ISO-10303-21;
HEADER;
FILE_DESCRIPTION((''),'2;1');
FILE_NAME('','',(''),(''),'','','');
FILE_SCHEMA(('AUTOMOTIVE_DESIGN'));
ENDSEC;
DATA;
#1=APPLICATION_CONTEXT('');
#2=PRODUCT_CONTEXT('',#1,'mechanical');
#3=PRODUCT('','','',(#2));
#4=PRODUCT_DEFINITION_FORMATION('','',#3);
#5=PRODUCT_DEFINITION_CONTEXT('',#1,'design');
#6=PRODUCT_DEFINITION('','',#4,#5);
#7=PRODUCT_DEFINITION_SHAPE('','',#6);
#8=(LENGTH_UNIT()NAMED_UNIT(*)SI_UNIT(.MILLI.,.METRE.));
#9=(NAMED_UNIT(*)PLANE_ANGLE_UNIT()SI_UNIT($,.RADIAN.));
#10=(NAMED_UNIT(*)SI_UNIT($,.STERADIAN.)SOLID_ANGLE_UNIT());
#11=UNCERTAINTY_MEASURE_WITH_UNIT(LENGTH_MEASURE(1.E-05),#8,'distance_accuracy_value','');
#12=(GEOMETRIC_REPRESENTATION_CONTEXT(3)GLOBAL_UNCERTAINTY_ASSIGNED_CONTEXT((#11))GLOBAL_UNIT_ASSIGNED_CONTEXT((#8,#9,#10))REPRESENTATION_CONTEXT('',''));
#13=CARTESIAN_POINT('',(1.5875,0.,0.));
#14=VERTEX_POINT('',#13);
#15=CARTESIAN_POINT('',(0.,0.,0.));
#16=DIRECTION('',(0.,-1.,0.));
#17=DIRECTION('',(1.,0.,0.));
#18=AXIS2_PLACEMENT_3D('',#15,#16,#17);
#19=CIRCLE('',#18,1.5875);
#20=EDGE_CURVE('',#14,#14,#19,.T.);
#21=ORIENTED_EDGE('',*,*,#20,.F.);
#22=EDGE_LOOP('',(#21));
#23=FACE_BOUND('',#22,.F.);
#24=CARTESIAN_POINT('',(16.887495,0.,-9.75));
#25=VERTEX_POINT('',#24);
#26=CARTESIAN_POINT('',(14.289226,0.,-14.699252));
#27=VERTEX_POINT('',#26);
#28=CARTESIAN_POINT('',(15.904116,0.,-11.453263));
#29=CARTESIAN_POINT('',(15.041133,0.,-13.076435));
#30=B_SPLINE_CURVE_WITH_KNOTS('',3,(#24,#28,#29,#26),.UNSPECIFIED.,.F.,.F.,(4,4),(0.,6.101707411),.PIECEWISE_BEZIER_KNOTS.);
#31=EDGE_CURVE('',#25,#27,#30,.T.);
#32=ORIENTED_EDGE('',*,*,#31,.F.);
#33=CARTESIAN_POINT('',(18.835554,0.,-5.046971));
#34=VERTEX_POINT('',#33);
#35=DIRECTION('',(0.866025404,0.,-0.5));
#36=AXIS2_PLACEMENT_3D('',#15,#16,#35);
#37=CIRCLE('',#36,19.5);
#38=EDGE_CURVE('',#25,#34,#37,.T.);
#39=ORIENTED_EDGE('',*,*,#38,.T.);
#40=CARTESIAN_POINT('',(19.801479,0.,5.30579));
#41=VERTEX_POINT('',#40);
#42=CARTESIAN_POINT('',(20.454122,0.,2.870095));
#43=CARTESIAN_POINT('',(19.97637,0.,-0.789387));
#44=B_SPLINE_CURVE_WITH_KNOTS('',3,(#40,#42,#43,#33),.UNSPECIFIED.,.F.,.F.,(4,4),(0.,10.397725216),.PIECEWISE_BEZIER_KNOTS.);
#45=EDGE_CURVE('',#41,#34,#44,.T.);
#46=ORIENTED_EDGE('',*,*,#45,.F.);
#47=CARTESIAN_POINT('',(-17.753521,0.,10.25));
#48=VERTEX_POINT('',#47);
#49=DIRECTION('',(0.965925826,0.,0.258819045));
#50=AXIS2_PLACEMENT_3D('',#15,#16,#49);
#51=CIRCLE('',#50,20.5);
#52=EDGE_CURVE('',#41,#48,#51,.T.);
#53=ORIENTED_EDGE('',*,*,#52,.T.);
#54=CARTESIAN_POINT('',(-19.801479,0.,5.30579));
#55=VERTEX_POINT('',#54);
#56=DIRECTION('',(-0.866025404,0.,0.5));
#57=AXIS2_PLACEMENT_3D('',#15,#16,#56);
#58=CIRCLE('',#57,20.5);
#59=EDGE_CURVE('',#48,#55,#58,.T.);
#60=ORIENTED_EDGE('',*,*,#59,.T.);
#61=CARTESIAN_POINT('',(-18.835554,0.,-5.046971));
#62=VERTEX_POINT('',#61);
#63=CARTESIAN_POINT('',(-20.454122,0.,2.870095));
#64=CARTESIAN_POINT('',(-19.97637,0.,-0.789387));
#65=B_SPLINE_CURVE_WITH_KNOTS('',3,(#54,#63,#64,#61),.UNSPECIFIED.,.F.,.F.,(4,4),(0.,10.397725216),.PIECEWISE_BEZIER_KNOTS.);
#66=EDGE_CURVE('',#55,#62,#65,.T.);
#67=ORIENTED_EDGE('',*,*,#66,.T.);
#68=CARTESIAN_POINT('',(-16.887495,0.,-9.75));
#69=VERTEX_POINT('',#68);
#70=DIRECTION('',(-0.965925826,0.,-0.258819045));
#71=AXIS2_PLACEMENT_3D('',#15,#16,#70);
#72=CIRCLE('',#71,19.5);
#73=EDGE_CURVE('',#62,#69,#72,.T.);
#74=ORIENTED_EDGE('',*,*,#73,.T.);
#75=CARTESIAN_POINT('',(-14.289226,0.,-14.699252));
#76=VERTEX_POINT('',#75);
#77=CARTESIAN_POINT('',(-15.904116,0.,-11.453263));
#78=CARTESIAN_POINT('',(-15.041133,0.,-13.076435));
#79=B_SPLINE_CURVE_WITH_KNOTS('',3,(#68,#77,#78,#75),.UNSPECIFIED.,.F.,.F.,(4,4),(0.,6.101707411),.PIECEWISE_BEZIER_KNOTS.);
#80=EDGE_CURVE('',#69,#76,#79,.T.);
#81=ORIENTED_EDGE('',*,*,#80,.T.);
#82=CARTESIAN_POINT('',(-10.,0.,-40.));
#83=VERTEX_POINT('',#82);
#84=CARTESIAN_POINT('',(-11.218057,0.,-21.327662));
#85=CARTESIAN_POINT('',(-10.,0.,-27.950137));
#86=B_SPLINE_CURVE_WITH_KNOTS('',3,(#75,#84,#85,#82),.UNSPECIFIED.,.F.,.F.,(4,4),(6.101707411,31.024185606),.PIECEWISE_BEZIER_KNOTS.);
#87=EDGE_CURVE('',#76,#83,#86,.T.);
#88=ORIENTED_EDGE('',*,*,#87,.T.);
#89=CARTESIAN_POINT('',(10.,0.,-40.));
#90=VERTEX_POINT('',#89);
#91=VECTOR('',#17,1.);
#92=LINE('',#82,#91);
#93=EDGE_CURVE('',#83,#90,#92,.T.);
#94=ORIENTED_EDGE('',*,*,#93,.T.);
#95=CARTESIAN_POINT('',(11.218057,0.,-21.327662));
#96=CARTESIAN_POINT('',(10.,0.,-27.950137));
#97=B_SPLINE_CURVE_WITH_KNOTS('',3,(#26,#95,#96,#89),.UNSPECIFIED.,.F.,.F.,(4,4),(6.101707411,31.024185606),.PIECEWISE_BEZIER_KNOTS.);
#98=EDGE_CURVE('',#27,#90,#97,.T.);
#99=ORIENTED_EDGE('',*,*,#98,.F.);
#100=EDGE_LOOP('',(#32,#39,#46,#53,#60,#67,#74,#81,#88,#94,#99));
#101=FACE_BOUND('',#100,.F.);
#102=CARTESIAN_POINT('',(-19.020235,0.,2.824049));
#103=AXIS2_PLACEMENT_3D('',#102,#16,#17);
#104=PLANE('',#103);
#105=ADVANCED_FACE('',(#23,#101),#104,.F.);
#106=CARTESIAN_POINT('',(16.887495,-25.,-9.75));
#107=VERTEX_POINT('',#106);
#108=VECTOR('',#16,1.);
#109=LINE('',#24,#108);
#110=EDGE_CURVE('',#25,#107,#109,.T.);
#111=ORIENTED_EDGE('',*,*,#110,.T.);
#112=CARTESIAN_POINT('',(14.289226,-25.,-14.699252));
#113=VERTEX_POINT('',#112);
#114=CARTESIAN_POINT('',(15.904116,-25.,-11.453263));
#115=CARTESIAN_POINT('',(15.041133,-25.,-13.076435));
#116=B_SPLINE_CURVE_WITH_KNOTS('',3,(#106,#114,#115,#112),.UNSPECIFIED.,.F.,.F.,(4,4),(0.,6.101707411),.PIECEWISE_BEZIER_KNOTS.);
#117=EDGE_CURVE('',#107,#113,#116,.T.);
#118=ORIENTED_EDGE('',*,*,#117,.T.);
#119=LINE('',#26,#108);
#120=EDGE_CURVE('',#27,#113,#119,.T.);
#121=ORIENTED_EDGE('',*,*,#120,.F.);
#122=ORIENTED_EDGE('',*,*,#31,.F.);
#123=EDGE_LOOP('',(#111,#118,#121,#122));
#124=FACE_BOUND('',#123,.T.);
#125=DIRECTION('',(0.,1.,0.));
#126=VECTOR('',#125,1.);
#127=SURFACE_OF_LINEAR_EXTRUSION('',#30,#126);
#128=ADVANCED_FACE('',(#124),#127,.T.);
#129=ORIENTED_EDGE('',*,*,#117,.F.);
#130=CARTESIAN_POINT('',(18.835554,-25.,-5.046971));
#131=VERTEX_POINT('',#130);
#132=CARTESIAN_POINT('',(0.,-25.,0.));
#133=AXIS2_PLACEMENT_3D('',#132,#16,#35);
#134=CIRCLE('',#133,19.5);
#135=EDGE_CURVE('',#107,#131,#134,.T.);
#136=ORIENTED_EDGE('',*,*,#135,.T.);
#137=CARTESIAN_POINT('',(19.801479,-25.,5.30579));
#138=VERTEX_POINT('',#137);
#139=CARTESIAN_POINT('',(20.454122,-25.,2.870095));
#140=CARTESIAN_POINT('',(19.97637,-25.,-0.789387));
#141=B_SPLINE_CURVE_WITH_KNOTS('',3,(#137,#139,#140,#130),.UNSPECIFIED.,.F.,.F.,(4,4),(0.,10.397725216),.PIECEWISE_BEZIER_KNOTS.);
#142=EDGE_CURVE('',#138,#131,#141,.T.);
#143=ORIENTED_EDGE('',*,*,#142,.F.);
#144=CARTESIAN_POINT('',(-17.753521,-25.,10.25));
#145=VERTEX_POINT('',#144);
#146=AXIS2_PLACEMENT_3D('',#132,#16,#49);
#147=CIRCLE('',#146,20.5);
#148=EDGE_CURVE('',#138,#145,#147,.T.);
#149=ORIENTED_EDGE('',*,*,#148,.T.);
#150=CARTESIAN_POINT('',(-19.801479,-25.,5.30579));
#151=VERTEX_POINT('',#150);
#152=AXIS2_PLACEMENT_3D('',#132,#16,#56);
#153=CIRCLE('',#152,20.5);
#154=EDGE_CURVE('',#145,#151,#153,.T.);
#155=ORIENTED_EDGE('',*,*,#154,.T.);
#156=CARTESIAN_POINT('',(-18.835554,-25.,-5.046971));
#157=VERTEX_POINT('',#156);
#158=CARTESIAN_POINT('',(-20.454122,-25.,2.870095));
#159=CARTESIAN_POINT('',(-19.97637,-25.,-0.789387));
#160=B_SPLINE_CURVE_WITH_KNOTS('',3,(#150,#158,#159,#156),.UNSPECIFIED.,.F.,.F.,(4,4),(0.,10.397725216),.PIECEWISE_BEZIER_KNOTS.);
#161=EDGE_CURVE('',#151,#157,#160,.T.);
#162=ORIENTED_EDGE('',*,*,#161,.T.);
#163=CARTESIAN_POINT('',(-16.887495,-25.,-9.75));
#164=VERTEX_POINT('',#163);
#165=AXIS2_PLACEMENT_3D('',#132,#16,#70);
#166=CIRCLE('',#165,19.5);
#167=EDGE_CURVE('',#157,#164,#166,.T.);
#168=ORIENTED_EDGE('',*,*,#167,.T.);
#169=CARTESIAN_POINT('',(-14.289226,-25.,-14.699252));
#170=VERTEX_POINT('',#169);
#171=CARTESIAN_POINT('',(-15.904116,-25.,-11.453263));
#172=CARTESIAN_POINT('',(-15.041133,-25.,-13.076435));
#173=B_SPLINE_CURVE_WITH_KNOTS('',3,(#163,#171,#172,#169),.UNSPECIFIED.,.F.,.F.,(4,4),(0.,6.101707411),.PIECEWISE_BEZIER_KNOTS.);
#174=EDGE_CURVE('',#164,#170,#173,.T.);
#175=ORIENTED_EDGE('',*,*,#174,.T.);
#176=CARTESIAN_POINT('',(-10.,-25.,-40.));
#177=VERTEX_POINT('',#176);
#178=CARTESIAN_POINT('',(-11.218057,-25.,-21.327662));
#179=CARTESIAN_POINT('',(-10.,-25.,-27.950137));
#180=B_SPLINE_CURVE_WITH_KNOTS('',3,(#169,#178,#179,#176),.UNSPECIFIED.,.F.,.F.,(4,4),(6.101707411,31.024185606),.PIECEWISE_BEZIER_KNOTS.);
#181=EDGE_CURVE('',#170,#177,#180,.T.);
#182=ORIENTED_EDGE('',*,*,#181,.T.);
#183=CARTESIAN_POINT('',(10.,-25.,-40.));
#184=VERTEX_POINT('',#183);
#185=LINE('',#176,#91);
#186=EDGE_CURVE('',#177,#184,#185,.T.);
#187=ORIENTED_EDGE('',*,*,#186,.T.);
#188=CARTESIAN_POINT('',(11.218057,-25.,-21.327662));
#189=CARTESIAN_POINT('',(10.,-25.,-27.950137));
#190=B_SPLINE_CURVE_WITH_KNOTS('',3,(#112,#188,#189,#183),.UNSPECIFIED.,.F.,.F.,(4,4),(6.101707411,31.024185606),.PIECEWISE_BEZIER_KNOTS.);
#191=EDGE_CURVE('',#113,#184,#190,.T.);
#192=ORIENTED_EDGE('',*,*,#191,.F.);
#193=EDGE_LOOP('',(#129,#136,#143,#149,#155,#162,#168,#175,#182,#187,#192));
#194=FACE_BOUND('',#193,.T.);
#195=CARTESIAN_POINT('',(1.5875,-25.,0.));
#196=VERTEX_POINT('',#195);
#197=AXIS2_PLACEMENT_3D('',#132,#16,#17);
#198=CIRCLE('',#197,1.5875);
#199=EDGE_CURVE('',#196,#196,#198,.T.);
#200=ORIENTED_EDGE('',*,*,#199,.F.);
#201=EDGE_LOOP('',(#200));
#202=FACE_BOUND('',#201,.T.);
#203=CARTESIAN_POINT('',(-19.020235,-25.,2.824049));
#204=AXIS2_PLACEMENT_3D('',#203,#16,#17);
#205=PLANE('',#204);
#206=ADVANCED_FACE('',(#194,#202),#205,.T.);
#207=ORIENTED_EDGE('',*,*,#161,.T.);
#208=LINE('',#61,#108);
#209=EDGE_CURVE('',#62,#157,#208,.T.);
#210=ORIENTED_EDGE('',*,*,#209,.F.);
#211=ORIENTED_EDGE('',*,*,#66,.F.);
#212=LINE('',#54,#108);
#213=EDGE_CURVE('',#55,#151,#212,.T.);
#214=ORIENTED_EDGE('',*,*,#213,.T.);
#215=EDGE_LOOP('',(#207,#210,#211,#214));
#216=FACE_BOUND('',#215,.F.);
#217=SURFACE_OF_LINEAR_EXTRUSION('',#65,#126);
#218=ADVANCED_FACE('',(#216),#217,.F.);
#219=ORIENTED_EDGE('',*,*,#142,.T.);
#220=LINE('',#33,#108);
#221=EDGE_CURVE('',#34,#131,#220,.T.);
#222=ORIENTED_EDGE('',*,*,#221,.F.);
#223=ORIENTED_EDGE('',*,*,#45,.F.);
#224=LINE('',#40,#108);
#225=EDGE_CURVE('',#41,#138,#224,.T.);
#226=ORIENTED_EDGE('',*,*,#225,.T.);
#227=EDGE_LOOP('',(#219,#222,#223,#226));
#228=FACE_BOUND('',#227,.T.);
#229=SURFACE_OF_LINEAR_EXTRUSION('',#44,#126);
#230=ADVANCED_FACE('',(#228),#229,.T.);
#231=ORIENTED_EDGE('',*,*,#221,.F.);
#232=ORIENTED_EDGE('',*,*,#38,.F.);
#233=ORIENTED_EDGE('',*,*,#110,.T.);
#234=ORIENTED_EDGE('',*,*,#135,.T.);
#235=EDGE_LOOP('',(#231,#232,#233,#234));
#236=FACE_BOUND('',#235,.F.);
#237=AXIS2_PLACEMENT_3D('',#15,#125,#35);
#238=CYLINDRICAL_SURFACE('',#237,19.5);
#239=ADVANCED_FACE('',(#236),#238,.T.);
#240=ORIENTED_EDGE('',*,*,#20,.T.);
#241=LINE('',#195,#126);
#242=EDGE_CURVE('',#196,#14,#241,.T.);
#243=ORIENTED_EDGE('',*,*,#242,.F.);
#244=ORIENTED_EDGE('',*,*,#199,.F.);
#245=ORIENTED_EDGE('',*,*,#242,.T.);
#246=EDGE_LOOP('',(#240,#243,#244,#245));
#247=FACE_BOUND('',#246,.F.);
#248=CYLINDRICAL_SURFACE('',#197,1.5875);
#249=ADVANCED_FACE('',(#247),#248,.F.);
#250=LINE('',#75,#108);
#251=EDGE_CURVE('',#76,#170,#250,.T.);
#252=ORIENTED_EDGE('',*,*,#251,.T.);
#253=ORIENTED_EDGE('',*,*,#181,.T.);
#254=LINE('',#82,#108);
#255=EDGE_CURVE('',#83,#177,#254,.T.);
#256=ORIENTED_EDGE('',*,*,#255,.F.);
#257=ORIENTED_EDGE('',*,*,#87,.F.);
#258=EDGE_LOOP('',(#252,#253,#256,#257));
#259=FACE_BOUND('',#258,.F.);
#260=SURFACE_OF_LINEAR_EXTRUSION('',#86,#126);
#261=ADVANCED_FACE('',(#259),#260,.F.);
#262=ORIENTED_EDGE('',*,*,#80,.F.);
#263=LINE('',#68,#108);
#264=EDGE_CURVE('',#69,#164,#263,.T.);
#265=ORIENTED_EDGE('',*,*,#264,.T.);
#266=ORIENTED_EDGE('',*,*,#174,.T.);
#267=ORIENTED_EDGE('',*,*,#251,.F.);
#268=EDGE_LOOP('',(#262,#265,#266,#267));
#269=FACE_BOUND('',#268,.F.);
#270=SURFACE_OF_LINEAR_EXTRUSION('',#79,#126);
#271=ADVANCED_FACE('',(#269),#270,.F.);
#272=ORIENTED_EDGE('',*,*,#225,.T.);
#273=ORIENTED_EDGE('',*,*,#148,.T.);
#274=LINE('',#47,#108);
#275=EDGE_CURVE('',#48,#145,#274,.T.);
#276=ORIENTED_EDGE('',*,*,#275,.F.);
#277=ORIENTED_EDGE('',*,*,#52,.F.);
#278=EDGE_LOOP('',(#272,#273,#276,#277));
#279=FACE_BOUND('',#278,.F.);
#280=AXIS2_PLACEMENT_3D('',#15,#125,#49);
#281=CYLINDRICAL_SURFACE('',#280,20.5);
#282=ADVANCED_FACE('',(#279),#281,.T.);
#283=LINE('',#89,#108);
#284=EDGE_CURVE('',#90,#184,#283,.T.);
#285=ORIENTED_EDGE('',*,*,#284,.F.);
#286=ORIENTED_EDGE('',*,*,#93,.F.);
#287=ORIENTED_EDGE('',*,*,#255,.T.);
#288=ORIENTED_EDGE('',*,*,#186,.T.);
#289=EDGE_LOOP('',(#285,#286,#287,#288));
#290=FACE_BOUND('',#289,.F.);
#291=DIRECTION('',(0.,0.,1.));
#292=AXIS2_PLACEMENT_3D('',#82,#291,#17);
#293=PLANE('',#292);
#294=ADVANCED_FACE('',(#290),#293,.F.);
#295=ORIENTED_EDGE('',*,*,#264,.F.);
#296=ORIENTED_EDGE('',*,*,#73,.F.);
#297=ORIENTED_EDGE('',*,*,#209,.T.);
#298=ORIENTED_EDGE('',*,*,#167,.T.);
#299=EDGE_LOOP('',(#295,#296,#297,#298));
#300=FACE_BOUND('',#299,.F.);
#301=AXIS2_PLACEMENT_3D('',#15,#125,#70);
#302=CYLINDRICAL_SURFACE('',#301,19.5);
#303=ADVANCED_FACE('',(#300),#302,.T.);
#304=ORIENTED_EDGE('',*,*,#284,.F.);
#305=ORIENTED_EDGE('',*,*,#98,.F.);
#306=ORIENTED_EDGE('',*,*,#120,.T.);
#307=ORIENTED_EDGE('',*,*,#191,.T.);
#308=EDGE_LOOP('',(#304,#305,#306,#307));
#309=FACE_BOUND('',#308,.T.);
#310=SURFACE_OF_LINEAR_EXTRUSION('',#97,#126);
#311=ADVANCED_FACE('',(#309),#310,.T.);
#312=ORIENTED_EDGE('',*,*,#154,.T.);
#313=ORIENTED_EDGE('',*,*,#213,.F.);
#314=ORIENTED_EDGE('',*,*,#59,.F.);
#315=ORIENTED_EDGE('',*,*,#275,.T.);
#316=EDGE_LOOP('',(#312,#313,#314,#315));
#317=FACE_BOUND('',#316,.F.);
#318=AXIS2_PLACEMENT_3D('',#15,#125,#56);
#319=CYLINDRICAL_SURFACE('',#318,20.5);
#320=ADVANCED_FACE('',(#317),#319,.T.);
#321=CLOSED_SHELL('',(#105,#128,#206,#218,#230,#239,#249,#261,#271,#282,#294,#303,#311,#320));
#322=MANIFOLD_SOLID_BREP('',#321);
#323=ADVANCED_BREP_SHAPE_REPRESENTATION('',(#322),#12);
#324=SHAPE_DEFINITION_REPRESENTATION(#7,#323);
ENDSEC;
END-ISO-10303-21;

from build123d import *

# Parameters (mm, degrees)
F1_DEPTH = 25
F2_R     = 1.5875
F3_DEPTH = 25


with BuildPart() as f1:
    # F0 (on Front) → F1 (new body)
    with BuildSketch(Plane.XZ):
        with BuildLine():
            ThreePointArc((-17.7535207776, 10.25), (-18.9395304165, 7.8450103635), (-19.8014794389, 5.3057904246))
            add(Edge.make_bspline(
                [(-19.8014794389, 5.3057904246), (-20.454122155, 2.8700946489), (-19.9763700286, -0.7893865531), (-18.8355536126, -5.0469713795)],
                knots=[0, 0, 0, 0, 10.3977252163, 10.3977252163, 10.3977252163, 10.3977252163], degree=3))
            ThreePointArc((-18.8355536126, -5.0469713795), (-19.3331747968, 2.5452607483), (-16.8874953738, 9.75))
            Line((-16.8874953738, 9.75), (-17.7535207776, 10.25))
        make_face()
        with BuildLine():
            add(Edge.make_bspline(
                [(19.8014794389, 5.3057904246), (20.454122155, 2.8700946489), (19.9763700286, -0.7893865531), (18.8355536126, -5.0469713795)],
                knots=[0, 0, 0, 0, 10.3977252163, 10.3977252163, 10.3977252163, 10.3977252163], degree=3))
            ThreePointArc((19.8014794389, 5.3057904246), (2.6757869405, 20.3246196582), (-17.7535207776, 10.25))
            Line((-17.7535207776, 10.25), (-16.8874953738, 9.75))
            ThreePointArc((-16.8874953738, 9.75), (5.0469713795, 18.8355536126), (19.5, 0))
            ThreePointArc((19.5, 0), (19.3331747968, -2.5452607483), (18.8355536126, -5.0469713795))
        make_face()
        with BuildLine():
            ThreePointArc((-16.8874953738, -9.75), (0, -19.5), (16.8874953738, -9.75))
            ThreePointArc((16.8874953738, -9.75), (18.015650884, -7.4623269311), (18.8355536126, -5.0469713795))
            ThreePointArc((18.8355536126, -5.0469713795), (19.3331747968, -2.5452607483), (19.5, 0))
            ThreePointArc((19.5, 0), (5.0469713795, 18.8355536126), (-16.8874953738, 9.75))
            ThreePointArc((-16.8874953738, 9.75), (-19.3331747968, 2.5452607483), (-18.8355536126, -5.0469713795))
            ThreePointArc((-18.8355536126, -5.0469713795), (-18.015650884, -7.4623269311), (-16.8874953738, -9.75))
        make_face()
        with BuildLine():
            add(Edge.make_bspline(
                [(-16.8874953738, -9.75), (-15.9041162308, -11.4532626388), (-15.0411330668, -13.0764351646), (-14.2892263879, -14.6992519958)],
                knots=[0, 0, 0, 0, 6.1017074107, 6.1017074107, 6.1017074107, 6.1017074107], degree=3))
            ThreePointArc((-14.2892263879, -14.6992519958), (-0.3862841846, -20.4963602751), (13.7252177136, -15.2272255751))
            Line((13.7252177136, -15.2272255751), (16.8874953738, -9.75))
            ThreePointArc((16.8874953738, -9.75), (0, -19.5), (-16.8874953738, -9.75))
        make_face()
        with BuildLine():
            Line((-10, -40), (10, -40))
            add(Edge.make_bspline(
                [(14.2892263879, -14.6992519958), (11.2180568693, -21.327661778), (10, -27.950137429), (10, -40)],
                knots=[6.1017074107, 6.1017074107, 6.1017074107, 6.1017074107, 31.0241856061, 31.0241856061, 31.0241856061, 31.0241856061], degree=3))
            ThreePointArc((14.2892263879, -14.6992519958), (14.0097094404, -14.9658959436), (13.7252177136, -15.2272255751))
            ThreePointArc((13.7252177136, -15.2272255751), (-0.3862841846, -20.4963602751), (-14.2892263879, -14.6992519958))
            add(Edge.make_bspline(
                [(-14.2892263879, -14.6992519958), (-11.2180568693, -21.327661778), (-10, -27.950137429), (-10, -40)],
                knots=[6.1017074107, 6.1017074107, 6.1017074107, 6.1017074107, 31.0241856061, 31.0241856061, 31.0241856061, 31.0241856061], degree=3))
        make_face()
        with BuildLine():
            ThreePointArc((13.7252177136, -15.2272255751), (14.0097094404, -14.9658959436), (14.2892263879, -14.6992519958))
            add(Edge.make_bspline(
                [(16.8874953738, -9.75), (15.9041162308, -11.4532626388), (15.0411330668, -13.0764351646), (14.2892263879, -14.6992519958)],
                knots=[0, 0, 0, 0, 6.1017074107, 6.1017074107, 6.1017074107, 6.1017074107], degree=3))
            Line((16.8874953738, -9.75), (13.7252177136, -15.2272255751))
        make_face()
    extrude(amount=F1_DEPTH)

    # F2 (on face) → F3 (cut)
    with BuildSketch(Plane.XZ.offset(25)):
        Circle(F2_R)
    extrude(amount=-F3_DEPTH, mode=Mode.SUBTRACT)


solid = f1.part
